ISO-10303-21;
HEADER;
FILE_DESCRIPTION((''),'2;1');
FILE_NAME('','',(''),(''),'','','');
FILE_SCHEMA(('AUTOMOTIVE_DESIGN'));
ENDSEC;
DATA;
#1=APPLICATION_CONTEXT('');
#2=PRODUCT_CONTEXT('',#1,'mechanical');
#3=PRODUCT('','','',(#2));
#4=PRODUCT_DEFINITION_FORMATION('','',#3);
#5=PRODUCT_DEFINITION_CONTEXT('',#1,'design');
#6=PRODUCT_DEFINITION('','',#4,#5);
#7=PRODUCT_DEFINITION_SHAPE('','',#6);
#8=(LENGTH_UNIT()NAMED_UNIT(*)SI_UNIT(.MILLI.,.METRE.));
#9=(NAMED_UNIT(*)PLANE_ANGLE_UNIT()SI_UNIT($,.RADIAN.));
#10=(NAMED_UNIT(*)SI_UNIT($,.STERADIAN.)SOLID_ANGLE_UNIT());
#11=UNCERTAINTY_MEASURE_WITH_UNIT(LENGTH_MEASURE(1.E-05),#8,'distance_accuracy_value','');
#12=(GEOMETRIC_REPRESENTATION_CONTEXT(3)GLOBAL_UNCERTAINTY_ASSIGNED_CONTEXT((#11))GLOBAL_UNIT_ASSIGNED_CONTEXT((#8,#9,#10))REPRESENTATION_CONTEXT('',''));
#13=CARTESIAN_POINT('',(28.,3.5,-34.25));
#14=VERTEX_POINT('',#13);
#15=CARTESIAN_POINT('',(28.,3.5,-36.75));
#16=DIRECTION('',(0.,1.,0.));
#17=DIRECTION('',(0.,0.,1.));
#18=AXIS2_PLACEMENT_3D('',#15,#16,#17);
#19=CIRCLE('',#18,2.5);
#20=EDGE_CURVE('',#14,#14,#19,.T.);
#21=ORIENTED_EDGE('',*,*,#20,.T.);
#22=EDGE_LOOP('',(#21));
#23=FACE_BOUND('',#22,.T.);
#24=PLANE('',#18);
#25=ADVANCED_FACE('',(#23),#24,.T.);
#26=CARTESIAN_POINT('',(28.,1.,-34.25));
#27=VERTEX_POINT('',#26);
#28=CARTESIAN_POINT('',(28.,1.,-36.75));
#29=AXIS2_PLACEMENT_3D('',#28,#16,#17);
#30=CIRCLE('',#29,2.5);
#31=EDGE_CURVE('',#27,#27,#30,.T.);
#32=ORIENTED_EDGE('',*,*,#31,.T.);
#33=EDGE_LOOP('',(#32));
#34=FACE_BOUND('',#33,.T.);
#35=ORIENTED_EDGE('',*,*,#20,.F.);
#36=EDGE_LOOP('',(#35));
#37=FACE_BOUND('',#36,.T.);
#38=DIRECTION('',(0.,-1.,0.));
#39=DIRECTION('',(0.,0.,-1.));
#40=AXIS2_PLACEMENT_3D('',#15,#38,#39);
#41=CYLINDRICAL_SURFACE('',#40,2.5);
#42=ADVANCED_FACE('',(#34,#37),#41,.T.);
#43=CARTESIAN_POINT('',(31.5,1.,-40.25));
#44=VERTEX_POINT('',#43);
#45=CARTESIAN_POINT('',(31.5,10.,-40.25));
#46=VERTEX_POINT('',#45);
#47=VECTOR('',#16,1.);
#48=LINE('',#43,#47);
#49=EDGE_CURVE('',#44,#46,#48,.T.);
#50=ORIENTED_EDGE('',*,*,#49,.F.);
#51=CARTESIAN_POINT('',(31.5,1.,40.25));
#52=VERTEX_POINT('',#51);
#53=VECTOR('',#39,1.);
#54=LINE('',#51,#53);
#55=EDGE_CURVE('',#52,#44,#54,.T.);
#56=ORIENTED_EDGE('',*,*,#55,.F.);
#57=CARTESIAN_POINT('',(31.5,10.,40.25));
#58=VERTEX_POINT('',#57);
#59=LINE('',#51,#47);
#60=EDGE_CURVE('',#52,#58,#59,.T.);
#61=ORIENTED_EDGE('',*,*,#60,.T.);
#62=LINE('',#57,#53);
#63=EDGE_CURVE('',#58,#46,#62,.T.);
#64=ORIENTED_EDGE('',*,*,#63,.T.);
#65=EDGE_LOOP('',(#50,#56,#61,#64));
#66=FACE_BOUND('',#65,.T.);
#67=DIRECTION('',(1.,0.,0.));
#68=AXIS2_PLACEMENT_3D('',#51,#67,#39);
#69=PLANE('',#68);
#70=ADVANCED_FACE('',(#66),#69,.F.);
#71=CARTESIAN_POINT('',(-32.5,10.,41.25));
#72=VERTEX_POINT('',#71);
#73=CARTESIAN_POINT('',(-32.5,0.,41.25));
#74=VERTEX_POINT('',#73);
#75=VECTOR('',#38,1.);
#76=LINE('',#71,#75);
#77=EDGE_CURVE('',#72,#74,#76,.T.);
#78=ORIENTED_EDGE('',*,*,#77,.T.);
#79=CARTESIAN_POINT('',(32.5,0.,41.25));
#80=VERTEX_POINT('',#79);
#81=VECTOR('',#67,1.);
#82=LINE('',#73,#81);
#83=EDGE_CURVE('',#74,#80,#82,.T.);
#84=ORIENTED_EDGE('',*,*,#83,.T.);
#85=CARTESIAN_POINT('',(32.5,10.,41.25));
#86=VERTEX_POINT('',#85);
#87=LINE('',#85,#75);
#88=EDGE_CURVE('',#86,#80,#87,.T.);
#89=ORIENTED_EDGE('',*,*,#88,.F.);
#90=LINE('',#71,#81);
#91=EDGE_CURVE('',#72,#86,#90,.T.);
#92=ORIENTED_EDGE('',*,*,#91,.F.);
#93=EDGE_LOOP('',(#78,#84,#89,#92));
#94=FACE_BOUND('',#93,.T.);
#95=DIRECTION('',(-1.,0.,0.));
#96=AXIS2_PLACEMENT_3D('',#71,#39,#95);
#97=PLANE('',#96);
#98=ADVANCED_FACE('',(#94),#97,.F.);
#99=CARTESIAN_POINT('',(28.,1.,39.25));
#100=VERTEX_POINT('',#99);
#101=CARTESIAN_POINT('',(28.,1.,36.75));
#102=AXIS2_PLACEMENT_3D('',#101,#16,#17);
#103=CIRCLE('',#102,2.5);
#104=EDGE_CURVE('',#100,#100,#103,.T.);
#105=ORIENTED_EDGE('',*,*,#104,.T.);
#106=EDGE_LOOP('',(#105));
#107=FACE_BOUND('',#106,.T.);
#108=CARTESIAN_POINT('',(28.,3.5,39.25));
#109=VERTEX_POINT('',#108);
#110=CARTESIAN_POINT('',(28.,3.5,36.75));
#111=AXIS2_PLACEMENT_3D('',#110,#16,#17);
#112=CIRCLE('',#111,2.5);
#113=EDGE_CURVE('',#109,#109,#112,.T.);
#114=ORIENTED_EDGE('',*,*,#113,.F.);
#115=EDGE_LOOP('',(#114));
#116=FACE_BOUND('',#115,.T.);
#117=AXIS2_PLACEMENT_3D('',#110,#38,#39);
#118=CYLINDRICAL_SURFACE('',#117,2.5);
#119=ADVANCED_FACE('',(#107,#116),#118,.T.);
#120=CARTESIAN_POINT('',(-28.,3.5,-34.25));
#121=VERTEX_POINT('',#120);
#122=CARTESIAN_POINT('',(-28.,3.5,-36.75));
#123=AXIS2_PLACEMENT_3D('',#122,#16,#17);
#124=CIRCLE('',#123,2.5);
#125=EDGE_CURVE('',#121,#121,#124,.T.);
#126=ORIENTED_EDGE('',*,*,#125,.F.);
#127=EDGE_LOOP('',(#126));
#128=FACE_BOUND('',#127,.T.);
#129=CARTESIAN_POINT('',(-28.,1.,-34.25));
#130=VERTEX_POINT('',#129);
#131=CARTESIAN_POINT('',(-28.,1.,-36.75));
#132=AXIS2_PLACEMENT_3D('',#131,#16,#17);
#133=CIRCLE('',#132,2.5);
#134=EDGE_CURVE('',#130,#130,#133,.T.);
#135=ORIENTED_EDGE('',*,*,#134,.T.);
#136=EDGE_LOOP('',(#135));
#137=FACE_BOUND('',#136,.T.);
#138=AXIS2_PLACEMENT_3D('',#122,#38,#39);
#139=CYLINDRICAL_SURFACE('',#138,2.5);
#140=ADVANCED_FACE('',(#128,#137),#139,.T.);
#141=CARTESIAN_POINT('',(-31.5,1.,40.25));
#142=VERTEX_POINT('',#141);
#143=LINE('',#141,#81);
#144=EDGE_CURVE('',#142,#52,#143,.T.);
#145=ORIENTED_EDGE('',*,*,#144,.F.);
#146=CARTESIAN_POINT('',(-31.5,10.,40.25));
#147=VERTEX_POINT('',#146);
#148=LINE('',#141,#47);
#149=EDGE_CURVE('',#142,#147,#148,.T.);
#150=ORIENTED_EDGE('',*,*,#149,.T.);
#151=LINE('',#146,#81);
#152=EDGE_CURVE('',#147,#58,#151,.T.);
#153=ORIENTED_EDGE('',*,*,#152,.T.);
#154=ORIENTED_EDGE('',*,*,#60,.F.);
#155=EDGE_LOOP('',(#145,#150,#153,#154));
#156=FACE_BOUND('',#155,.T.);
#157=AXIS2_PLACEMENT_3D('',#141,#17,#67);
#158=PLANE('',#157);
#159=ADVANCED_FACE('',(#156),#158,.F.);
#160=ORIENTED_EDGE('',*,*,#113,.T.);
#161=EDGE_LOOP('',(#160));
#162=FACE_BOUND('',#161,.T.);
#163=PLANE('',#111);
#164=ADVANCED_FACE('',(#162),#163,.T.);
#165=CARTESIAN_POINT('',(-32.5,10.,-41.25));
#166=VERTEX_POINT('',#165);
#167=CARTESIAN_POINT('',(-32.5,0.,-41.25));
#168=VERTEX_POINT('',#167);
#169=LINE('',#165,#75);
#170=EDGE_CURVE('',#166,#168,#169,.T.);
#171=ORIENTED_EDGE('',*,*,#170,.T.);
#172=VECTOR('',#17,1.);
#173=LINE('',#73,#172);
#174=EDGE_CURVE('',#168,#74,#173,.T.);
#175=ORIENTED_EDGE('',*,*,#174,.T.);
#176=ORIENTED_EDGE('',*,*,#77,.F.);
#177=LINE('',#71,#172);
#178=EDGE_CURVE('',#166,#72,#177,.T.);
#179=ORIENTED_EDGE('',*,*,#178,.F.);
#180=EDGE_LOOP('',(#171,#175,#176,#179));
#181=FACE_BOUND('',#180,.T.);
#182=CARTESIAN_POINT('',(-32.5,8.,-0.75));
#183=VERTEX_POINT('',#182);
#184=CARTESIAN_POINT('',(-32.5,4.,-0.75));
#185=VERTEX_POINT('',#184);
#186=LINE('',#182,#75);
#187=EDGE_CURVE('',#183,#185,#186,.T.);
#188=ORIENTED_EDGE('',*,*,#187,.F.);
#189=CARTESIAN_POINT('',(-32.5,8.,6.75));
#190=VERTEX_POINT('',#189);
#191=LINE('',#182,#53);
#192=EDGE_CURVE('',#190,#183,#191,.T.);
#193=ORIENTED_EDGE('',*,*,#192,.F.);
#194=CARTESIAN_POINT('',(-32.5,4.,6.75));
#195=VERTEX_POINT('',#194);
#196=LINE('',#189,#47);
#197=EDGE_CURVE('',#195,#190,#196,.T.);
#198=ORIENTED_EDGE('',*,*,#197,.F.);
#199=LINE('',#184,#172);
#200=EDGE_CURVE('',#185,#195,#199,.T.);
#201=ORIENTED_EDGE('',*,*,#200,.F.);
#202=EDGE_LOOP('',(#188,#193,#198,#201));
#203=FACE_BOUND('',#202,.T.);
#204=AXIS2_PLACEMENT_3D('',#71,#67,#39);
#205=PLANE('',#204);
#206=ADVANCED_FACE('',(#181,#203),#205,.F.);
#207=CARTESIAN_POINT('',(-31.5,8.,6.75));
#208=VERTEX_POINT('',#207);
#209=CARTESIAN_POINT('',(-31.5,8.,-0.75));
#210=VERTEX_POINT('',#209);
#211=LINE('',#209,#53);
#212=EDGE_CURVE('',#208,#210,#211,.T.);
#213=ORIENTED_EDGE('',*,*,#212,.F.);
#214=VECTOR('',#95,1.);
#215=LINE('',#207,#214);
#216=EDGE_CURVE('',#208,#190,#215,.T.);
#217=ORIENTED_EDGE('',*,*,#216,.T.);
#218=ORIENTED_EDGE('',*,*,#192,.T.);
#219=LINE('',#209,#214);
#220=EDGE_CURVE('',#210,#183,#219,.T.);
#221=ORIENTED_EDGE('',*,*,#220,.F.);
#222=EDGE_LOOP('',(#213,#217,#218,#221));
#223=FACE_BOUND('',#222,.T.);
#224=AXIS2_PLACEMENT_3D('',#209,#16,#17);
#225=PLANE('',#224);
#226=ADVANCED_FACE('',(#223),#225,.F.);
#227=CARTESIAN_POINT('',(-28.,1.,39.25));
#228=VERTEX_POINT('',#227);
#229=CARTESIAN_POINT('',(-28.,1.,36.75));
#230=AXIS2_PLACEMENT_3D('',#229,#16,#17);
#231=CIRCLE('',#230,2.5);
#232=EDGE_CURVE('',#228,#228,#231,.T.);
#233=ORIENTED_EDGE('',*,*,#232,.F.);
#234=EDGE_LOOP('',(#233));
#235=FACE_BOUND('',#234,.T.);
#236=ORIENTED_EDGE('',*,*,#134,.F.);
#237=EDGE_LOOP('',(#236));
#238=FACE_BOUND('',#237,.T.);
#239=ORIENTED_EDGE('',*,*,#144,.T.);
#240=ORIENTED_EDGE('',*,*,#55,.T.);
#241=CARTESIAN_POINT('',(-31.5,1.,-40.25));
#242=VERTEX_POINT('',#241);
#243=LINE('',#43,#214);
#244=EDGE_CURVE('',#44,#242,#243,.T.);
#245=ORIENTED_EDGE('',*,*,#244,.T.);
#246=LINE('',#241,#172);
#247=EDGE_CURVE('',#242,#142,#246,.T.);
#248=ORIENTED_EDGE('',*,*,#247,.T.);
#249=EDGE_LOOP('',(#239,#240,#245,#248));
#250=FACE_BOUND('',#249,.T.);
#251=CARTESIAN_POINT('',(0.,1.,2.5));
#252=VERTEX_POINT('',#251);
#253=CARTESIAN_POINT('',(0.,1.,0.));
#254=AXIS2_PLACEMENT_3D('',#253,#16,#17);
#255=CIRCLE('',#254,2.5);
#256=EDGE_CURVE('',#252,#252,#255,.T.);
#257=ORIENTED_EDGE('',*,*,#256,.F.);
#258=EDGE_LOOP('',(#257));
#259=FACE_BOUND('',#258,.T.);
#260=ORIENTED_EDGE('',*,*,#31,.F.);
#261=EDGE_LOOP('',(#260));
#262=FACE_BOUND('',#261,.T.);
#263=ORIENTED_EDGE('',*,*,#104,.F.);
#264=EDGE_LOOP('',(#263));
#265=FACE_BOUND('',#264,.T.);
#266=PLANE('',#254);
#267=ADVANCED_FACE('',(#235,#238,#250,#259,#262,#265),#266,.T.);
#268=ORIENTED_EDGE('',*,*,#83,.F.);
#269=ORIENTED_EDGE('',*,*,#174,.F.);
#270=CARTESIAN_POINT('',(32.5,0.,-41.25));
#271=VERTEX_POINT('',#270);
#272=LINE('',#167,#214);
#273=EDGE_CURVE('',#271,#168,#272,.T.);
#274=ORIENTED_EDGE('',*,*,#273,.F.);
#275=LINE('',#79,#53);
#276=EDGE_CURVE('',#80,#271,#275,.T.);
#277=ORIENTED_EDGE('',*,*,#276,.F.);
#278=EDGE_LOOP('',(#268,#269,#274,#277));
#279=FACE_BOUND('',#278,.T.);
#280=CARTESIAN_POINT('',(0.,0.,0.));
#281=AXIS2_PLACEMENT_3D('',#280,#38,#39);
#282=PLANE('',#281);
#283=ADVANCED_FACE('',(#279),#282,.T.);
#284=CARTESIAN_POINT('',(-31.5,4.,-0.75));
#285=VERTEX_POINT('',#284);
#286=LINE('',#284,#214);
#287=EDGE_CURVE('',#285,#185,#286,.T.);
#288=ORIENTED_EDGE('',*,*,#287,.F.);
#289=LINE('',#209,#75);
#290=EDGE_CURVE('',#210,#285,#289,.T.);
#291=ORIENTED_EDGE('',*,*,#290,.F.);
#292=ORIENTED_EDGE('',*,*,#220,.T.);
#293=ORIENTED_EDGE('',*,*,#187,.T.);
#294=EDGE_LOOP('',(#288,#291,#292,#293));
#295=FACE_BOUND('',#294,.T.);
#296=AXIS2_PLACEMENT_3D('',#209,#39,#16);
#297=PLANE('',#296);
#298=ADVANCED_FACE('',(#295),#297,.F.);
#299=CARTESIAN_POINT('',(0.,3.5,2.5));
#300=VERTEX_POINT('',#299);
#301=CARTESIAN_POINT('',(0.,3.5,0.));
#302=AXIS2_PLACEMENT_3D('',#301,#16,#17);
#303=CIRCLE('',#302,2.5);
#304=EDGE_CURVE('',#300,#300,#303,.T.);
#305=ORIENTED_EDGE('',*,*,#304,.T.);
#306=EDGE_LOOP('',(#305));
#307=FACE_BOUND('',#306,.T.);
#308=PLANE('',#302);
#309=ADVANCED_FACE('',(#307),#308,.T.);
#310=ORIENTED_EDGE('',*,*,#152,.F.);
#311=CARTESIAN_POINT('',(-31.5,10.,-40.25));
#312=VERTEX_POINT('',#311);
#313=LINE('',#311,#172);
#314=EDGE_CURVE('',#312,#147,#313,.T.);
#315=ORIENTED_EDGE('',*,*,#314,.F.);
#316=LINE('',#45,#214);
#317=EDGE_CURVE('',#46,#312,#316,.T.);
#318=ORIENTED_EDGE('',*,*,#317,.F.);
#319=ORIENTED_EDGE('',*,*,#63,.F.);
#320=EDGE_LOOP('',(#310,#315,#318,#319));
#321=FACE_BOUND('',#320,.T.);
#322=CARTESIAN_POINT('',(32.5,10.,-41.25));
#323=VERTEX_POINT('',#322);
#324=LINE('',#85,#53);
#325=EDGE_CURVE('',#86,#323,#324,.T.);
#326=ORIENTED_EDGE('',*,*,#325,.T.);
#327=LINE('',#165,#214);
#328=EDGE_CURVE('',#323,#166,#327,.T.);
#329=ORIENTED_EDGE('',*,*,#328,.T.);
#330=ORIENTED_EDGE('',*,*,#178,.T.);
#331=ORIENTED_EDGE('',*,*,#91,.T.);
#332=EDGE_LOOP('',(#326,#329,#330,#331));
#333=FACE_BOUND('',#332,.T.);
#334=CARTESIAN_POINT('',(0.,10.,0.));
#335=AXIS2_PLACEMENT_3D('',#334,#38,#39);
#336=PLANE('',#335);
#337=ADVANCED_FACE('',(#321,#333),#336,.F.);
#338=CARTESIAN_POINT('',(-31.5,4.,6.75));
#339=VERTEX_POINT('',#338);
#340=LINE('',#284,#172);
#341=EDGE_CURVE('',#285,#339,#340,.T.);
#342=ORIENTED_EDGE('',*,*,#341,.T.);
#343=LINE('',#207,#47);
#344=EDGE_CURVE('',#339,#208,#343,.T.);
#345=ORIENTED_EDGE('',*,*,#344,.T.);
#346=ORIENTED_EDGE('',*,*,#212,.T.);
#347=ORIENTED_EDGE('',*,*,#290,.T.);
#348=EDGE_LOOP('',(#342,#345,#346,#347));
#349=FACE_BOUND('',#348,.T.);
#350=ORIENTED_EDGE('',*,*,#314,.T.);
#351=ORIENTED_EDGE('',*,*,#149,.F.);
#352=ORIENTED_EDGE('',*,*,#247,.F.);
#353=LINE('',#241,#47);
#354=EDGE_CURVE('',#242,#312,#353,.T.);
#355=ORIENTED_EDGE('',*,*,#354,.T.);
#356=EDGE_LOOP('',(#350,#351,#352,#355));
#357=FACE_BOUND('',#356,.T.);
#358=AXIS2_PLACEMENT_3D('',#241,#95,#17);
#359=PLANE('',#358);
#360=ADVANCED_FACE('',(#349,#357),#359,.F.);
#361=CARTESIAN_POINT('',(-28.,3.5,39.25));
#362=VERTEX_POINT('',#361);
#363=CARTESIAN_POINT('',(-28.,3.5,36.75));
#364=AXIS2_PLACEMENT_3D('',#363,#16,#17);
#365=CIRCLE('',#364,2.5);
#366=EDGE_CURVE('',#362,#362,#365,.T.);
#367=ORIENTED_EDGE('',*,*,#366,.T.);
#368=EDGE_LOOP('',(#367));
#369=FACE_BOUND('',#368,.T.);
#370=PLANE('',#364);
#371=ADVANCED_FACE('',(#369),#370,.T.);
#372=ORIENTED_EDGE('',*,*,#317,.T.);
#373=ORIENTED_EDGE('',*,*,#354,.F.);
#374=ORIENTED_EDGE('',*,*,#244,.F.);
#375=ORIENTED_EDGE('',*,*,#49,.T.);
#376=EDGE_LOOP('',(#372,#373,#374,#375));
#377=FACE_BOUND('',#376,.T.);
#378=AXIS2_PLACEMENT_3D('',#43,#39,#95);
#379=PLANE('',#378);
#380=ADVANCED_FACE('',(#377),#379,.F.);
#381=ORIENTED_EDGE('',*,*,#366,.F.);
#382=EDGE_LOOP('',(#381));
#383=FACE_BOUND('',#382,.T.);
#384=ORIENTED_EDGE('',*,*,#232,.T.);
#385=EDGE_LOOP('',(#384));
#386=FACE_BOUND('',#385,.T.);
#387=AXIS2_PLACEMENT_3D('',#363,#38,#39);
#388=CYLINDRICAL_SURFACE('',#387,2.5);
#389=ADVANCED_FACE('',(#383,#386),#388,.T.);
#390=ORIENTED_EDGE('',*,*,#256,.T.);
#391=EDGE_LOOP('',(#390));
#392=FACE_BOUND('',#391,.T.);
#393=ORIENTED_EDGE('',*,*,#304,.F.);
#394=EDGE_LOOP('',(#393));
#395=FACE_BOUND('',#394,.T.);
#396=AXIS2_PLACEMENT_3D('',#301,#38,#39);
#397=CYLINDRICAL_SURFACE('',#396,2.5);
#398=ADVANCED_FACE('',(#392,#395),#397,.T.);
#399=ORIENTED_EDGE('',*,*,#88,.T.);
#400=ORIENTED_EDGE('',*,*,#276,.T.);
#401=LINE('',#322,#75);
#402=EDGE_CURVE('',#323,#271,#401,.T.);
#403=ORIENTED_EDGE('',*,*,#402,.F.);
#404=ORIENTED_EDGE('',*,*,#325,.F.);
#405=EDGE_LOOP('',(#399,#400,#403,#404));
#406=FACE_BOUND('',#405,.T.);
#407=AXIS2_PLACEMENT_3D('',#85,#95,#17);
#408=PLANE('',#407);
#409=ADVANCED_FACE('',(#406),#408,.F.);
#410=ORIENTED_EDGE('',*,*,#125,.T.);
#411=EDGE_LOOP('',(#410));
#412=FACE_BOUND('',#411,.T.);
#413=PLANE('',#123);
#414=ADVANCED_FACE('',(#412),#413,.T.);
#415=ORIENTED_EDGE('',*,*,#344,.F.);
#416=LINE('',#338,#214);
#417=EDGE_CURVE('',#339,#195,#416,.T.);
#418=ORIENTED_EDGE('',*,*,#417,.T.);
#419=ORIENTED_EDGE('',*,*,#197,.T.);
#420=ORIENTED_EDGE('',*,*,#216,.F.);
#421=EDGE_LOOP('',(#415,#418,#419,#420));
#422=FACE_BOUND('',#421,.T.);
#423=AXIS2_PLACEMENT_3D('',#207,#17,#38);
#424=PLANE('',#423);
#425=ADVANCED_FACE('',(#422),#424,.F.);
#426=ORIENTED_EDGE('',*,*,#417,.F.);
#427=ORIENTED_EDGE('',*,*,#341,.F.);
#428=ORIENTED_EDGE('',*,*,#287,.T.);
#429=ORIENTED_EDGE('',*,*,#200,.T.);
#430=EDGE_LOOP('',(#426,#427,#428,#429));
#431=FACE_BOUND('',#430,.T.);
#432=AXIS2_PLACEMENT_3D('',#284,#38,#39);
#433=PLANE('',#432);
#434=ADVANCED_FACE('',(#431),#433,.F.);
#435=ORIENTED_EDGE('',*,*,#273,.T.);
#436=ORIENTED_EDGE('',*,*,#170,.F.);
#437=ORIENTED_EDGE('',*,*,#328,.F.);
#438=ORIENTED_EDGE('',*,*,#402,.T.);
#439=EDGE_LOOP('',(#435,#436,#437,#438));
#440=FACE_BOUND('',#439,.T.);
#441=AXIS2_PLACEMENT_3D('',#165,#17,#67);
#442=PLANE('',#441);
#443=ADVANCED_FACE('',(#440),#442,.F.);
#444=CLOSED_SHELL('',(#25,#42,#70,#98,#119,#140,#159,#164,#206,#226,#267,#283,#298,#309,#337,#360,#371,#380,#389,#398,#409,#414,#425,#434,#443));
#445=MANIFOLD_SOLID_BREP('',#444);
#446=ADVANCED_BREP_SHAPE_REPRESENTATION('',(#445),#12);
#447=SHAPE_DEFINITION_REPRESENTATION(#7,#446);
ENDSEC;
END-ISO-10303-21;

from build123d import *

# Parameters (mm, degrees)
SKETCH1_W           = 65
SKETCH1_H           = 82.5
BOSS_EXTRUDE1_DEPTH = 10
SKETCH2_W           = 63
SKETCH2_H           = 80.5
CUT_EXTRUDE1_DEPTH  = 9
SKETCH4_R           = 2.5
BOSS_EXTRUDE2_DEPTH = 2.5
SKETCH5_W           = 7.5
SKETCH5_H           = 4
CUT_EXTRUDE2_DEPTH  = 1


with BuildPart() as part:
    # Sketch1 → Boss-Extrude1 (new body)
    with BuildSketch(Plane(origin=(0, 0, 0), x_dir=(1, 0, 0), z_dir=(0, 1, 0))):
        Rectangle(SKETCH1_W, SKETCH1_H)
    extrude(amount=BOSS_EXTRUDE1_DEPTH)

    # Sketch2 → Cut-Extrude1 (cut)
    with BuildSketch(Plane(origin=(0, 10, 0), x_dir=(1, 0, 0), z_dir=(0, 1, 0))):
        Rectangle(SKETCH2_W, SKETCH2_H)
    extrude(amount=-CUT_EXTRUDE1_DEPTH, mode=Mode.SUBTRACT)

    # Sketch4 → Boss-Extrude2 (add)
    with BuildSketch(Plane(origin=(0, 1, 0), x_dir=(1, 0, 0), z_dir=(0, 1, 0))):
        with Locations((-28, 36.75)):
            Circle(SKETCH4_R)
        with Locations((28, 36.75)):
            Circle(SKETCH4_R)
        with Locations((-28, -36.75)):
            Circle(SKETCH4_R)
        with Locations((28, -36.75)):
            Circle(SKETCH4_R)
        Circle(SKETCH4_R)
    extrude(amount=BOSS_EXTRUDE2_DEPTH)

    # Sketch5 → Cut-Extrude2 (cut)
    with BuildSketch(Plane.ZY.offset(32.5)):
        with Locations((3, 6)):
            Rectangle(SKETCH5_W, SKETCH5_H)
    extrude(amount=-CUT_EXTRUDE2_DEPTH, mode=Mode.SUBTRACT)


solid = part.part
